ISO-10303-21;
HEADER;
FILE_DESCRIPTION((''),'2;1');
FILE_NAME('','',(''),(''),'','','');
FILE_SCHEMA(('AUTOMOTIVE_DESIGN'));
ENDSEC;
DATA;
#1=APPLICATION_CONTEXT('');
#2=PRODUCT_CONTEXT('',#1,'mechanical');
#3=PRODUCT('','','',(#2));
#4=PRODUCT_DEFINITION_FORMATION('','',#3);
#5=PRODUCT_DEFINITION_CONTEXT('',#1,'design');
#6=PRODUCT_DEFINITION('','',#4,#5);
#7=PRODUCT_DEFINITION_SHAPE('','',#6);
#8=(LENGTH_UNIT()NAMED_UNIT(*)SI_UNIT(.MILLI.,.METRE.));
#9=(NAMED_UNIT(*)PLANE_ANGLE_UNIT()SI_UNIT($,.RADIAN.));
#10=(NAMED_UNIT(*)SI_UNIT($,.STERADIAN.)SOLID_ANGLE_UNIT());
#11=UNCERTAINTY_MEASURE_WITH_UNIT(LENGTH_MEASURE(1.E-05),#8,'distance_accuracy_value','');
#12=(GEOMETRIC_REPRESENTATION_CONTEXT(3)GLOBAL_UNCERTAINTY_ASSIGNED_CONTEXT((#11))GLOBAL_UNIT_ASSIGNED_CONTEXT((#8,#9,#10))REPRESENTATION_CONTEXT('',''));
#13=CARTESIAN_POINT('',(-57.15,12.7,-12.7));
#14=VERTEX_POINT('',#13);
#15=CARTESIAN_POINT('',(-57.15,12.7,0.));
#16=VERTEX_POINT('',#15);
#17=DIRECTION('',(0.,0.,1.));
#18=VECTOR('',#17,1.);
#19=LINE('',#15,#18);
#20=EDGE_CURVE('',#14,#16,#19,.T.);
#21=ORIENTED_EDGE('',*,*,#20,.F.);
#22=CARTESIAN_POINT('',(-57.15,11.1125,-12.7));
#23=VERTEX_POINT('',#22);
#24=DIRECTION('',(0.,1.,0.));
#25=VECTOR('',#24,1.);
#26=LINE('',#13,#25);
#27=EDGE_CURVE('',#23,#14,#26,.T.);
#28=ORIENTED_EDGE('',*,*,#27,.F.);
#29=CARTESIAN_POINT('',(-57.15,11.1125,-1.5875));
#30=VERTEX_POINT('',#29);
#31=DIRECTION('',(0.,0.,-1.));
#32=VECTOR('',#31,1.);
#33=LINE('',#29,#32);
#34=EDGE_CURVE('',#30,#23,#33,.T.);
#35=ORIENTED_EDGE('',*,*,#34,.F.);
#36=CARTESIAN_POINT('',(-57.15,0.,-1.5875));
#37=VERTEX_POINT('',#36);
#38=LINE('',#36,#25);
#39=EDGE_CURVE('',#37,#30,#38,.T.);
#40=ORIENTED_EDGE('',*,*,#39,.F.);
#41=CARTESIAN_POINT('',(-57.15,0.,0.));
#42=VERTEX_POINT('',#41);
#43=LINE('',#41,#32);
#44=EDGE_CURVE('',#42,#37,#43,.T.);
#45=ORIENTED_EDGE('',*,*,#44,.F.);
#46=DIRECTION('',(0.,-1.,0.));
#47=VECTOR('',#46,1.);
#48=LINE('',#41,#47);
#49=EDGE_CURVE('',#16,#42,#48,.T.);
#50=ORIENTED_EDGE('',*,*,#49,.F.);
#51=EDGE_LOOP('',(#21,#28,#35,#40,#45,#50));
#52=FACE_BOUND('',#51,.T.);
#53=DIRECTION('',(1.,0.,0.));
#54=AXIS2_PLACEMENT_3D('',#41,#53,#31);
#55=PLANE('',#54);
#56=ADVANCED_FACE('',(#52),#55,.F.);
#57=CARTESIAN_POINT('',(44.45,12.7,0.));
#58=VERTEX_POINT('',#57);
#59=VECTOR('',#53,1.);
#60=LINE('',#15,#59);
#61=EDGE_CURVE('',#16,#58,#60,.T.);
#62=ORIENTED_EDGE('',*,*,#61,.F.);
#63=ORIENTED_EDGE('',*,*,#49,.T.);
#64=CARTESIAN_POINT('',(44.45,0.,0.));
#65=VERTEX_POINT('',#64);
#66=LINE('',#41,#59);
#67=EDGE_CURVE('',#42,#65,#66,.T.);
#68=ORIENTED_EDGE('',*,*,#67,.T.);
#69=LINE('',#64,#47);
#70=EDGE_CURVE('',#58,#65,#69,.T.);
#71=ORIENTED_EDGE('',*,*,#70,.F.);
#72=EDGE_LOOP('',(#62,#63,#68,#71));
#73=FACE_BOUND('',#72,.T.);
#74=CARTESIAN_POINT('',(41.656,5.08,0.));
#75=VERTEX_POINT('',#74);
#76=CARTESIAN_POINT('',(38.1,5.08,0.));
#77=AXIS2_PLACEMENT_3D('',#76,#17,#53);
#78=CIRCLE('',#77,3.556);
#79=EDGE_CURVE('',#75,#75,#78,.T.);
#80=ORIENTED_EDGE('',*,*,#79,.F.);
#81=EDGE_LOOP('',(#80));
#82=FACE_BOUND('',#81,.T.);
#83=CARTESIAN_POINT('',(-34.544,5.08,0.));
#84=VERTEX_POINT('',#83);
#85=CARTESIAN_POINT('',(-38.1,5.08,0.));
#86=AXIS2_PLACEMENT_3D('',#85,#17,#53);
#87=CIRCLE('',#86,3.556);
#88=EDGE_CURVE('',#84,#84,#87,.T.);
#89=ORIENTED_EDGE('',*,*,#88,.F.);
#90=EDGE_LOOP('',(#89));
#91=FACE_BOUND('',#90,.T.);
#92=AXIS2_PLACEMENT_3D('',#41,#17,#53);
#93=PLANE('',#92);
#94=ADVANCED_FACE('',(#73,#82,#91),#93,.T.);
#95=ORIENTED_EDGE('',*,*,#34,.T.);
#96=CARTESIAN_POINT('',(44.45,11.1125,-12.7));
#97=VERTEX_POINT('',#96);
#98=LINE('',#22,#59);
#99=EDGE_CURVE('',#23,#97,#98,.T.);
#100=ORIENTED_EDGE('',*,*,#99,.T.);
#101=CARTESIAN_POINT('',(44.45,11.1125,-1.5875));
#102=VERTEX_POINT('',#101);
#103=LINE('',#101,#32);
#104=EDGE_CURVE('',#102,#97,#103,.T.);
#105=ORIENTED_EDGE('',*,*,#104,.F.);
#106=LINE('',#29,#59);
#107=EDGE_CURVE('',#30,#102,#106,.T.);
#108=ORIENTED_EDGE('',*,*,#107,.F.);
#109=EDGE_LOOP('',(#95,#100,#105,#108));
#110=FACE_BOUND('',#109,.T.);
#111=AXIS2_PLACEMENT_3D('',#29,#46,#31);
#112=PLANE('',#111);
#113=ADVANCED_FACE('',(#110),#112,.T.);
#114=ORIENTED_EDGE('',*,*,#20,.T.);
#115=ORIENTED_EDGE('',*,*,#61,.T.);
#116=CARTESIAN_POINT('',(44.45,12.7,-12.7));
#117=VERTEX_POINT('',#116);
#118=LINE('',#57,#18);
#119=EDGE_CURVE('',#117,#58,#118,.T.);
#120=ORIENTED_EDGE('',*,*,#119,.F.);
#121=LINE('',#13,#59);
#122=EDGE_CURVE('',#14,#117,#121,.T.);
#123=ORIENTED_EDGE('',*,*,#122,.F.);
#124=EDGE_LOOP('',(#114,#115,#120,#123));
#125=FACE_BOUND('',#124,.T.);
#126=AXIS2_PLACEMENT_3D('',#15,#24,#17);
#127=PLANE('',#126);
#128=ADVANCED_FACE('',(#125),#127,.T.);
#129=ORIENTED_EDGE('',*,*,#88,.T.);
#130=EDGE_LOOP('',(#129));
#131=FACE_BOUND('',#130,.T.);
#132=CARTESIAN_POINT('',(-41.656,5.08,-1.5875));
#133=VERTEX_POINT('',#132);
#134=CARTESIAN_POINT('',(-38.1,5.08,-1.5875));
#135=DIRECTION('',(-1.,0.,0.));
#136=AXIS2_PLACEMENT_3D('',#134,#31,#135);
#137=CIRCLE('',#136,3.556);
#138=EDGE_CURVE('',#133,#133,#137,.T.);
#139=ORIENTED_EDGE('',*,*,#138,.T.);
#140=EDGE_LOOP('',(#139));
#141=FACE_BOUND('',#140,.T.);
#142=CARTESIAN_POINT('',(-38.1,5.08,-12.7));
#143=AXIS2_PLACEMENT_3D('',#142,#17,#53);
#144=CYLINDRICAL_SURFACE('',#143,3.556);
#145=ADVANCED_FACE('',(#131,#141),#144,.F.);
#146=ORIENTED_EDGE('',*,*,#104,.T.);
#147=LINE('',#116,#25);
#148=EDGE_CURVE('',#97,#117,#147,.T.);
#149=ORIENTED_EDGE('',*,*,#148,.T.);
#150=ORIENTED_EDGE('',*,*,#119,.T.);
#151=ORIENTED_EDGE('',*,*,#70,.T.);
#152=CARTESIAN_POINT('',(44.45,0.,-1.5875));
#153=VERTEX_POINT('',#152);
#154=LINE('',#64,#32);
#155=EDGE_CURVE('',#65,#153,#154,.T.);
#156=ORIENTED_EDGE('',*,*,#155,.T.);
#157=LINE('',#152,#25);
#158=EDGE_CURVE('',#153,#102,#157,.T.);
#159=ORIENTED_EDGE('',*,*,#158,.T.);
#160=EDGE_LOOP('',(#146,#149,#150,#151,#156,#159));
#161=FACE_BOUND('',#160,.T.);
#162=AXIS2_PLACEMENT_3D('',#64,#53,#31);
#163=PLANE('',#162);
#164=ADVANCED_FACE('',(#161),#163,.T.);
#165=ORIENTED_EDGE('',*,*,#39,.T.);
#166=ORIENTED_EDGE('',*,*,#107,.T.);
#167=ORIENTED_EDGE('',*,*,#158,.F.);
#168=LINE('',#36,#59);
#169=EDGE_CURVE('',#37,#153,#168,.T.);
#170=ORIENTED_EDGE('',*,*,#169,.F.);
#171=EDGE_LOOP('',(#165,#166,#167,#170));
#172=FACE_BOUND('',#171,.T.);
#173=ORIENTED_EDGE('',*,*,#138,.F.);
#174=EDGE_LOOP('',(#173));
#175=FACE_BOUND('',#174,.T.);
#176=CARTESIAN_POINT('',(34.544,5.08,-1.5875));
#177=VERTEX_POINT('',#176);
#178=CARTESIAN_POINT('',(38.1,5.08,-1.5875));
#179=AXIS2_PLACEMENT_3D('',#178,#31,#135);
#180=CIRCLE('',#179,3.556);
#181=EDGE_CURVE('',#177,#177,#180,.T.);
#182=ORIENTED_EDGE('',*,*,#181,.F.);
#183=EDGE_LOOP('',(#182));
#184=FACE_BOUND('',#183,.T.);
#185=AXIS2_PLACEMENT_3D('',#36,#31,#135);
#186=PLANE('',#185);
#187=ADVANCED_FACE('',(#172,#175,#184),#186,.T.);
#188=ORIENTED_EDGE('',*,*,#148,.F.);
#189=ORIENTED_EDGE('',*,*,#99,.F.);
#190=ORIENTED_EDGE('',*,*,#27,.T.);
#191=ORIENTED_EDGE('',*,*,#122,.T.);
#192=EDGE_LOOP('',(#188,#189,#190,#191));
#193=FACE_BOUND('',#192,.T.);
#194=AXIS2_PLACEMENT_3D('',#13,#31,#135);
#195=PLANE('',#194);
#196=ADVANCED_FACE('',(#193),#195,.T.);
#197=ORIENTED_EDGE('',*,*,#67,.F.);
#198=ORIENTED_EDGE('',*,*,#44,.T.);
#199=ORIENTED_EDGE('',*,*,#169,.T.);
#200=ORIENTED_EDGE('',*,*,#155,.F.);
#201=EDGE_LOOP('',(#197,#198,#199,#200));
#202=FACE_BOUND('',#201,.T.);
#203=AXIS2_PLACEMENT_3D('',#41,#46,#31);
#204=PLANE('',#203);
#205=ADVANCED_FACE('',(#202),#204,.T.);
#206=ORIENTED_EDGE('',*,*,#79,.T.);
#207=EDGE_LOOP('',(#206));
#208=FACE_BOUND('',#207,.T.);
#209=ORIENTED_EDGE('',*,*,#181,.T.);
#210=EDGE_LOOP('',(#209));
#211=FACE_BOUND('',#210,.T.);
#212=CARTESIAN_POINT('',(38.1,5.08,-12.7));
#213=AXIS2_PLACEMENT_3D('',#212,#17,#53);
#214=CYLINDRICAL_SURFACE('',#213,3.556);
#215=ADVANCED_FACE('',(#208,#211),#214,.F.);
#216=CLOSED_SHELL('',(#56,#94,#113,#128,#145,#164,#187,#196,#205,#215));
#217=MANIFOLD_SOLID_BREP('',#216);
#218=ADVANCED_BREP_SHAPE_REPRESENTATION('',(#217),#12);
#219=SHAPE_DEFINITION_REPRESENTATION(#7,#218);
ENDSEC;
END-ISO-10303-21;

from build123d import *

# Parameters (mm, degrees)
BOSS_EXTRUDE1_DEPTH      = 44.45
BOSS_EXTRUDE1_DEPTH_BACK = 57.15
SKETCH3_R                = 3.556
CUT_EXTRUDE1_DEPTH       = 13.7


with BuildPart() as part:
    # Sketch1 → Boss-Extrude1 (new body, two sides)
    with BuildSketch(Plane(origin=(0, 0, 0), x_dir=(0, 0, -1), z_dir=(1, 0, 0))) as boss_extrude1_sk:
        Polygon((0, 0), (0, 12.7), (12.7, 12.7), (12.7, 11.1125), (1.5875, 11.1125), (1.5875, 0), align=None)
    extrude(amount=BOSS_EXTRUDE1_DEPTH)
    extrude(boss_extrude1_sk.sketch, amount=-BOSS_EXTRUDE1_DEPTH_BACK)

    # Sketch3 → Cut-Extrude1 (cut, through all)
    with BuildSketch(Plane.XY):
        with Locations((-38.1, 5.08)):
            Circle(SKETCH3_R)
        with Locations((38.1, 5.08)):
            Circle(SKETCH3_R)
    extrude(amount=-CUT_EXTRUDE1_DEPTH, mode=Mode.SUBTRACT)


solid = part.part
